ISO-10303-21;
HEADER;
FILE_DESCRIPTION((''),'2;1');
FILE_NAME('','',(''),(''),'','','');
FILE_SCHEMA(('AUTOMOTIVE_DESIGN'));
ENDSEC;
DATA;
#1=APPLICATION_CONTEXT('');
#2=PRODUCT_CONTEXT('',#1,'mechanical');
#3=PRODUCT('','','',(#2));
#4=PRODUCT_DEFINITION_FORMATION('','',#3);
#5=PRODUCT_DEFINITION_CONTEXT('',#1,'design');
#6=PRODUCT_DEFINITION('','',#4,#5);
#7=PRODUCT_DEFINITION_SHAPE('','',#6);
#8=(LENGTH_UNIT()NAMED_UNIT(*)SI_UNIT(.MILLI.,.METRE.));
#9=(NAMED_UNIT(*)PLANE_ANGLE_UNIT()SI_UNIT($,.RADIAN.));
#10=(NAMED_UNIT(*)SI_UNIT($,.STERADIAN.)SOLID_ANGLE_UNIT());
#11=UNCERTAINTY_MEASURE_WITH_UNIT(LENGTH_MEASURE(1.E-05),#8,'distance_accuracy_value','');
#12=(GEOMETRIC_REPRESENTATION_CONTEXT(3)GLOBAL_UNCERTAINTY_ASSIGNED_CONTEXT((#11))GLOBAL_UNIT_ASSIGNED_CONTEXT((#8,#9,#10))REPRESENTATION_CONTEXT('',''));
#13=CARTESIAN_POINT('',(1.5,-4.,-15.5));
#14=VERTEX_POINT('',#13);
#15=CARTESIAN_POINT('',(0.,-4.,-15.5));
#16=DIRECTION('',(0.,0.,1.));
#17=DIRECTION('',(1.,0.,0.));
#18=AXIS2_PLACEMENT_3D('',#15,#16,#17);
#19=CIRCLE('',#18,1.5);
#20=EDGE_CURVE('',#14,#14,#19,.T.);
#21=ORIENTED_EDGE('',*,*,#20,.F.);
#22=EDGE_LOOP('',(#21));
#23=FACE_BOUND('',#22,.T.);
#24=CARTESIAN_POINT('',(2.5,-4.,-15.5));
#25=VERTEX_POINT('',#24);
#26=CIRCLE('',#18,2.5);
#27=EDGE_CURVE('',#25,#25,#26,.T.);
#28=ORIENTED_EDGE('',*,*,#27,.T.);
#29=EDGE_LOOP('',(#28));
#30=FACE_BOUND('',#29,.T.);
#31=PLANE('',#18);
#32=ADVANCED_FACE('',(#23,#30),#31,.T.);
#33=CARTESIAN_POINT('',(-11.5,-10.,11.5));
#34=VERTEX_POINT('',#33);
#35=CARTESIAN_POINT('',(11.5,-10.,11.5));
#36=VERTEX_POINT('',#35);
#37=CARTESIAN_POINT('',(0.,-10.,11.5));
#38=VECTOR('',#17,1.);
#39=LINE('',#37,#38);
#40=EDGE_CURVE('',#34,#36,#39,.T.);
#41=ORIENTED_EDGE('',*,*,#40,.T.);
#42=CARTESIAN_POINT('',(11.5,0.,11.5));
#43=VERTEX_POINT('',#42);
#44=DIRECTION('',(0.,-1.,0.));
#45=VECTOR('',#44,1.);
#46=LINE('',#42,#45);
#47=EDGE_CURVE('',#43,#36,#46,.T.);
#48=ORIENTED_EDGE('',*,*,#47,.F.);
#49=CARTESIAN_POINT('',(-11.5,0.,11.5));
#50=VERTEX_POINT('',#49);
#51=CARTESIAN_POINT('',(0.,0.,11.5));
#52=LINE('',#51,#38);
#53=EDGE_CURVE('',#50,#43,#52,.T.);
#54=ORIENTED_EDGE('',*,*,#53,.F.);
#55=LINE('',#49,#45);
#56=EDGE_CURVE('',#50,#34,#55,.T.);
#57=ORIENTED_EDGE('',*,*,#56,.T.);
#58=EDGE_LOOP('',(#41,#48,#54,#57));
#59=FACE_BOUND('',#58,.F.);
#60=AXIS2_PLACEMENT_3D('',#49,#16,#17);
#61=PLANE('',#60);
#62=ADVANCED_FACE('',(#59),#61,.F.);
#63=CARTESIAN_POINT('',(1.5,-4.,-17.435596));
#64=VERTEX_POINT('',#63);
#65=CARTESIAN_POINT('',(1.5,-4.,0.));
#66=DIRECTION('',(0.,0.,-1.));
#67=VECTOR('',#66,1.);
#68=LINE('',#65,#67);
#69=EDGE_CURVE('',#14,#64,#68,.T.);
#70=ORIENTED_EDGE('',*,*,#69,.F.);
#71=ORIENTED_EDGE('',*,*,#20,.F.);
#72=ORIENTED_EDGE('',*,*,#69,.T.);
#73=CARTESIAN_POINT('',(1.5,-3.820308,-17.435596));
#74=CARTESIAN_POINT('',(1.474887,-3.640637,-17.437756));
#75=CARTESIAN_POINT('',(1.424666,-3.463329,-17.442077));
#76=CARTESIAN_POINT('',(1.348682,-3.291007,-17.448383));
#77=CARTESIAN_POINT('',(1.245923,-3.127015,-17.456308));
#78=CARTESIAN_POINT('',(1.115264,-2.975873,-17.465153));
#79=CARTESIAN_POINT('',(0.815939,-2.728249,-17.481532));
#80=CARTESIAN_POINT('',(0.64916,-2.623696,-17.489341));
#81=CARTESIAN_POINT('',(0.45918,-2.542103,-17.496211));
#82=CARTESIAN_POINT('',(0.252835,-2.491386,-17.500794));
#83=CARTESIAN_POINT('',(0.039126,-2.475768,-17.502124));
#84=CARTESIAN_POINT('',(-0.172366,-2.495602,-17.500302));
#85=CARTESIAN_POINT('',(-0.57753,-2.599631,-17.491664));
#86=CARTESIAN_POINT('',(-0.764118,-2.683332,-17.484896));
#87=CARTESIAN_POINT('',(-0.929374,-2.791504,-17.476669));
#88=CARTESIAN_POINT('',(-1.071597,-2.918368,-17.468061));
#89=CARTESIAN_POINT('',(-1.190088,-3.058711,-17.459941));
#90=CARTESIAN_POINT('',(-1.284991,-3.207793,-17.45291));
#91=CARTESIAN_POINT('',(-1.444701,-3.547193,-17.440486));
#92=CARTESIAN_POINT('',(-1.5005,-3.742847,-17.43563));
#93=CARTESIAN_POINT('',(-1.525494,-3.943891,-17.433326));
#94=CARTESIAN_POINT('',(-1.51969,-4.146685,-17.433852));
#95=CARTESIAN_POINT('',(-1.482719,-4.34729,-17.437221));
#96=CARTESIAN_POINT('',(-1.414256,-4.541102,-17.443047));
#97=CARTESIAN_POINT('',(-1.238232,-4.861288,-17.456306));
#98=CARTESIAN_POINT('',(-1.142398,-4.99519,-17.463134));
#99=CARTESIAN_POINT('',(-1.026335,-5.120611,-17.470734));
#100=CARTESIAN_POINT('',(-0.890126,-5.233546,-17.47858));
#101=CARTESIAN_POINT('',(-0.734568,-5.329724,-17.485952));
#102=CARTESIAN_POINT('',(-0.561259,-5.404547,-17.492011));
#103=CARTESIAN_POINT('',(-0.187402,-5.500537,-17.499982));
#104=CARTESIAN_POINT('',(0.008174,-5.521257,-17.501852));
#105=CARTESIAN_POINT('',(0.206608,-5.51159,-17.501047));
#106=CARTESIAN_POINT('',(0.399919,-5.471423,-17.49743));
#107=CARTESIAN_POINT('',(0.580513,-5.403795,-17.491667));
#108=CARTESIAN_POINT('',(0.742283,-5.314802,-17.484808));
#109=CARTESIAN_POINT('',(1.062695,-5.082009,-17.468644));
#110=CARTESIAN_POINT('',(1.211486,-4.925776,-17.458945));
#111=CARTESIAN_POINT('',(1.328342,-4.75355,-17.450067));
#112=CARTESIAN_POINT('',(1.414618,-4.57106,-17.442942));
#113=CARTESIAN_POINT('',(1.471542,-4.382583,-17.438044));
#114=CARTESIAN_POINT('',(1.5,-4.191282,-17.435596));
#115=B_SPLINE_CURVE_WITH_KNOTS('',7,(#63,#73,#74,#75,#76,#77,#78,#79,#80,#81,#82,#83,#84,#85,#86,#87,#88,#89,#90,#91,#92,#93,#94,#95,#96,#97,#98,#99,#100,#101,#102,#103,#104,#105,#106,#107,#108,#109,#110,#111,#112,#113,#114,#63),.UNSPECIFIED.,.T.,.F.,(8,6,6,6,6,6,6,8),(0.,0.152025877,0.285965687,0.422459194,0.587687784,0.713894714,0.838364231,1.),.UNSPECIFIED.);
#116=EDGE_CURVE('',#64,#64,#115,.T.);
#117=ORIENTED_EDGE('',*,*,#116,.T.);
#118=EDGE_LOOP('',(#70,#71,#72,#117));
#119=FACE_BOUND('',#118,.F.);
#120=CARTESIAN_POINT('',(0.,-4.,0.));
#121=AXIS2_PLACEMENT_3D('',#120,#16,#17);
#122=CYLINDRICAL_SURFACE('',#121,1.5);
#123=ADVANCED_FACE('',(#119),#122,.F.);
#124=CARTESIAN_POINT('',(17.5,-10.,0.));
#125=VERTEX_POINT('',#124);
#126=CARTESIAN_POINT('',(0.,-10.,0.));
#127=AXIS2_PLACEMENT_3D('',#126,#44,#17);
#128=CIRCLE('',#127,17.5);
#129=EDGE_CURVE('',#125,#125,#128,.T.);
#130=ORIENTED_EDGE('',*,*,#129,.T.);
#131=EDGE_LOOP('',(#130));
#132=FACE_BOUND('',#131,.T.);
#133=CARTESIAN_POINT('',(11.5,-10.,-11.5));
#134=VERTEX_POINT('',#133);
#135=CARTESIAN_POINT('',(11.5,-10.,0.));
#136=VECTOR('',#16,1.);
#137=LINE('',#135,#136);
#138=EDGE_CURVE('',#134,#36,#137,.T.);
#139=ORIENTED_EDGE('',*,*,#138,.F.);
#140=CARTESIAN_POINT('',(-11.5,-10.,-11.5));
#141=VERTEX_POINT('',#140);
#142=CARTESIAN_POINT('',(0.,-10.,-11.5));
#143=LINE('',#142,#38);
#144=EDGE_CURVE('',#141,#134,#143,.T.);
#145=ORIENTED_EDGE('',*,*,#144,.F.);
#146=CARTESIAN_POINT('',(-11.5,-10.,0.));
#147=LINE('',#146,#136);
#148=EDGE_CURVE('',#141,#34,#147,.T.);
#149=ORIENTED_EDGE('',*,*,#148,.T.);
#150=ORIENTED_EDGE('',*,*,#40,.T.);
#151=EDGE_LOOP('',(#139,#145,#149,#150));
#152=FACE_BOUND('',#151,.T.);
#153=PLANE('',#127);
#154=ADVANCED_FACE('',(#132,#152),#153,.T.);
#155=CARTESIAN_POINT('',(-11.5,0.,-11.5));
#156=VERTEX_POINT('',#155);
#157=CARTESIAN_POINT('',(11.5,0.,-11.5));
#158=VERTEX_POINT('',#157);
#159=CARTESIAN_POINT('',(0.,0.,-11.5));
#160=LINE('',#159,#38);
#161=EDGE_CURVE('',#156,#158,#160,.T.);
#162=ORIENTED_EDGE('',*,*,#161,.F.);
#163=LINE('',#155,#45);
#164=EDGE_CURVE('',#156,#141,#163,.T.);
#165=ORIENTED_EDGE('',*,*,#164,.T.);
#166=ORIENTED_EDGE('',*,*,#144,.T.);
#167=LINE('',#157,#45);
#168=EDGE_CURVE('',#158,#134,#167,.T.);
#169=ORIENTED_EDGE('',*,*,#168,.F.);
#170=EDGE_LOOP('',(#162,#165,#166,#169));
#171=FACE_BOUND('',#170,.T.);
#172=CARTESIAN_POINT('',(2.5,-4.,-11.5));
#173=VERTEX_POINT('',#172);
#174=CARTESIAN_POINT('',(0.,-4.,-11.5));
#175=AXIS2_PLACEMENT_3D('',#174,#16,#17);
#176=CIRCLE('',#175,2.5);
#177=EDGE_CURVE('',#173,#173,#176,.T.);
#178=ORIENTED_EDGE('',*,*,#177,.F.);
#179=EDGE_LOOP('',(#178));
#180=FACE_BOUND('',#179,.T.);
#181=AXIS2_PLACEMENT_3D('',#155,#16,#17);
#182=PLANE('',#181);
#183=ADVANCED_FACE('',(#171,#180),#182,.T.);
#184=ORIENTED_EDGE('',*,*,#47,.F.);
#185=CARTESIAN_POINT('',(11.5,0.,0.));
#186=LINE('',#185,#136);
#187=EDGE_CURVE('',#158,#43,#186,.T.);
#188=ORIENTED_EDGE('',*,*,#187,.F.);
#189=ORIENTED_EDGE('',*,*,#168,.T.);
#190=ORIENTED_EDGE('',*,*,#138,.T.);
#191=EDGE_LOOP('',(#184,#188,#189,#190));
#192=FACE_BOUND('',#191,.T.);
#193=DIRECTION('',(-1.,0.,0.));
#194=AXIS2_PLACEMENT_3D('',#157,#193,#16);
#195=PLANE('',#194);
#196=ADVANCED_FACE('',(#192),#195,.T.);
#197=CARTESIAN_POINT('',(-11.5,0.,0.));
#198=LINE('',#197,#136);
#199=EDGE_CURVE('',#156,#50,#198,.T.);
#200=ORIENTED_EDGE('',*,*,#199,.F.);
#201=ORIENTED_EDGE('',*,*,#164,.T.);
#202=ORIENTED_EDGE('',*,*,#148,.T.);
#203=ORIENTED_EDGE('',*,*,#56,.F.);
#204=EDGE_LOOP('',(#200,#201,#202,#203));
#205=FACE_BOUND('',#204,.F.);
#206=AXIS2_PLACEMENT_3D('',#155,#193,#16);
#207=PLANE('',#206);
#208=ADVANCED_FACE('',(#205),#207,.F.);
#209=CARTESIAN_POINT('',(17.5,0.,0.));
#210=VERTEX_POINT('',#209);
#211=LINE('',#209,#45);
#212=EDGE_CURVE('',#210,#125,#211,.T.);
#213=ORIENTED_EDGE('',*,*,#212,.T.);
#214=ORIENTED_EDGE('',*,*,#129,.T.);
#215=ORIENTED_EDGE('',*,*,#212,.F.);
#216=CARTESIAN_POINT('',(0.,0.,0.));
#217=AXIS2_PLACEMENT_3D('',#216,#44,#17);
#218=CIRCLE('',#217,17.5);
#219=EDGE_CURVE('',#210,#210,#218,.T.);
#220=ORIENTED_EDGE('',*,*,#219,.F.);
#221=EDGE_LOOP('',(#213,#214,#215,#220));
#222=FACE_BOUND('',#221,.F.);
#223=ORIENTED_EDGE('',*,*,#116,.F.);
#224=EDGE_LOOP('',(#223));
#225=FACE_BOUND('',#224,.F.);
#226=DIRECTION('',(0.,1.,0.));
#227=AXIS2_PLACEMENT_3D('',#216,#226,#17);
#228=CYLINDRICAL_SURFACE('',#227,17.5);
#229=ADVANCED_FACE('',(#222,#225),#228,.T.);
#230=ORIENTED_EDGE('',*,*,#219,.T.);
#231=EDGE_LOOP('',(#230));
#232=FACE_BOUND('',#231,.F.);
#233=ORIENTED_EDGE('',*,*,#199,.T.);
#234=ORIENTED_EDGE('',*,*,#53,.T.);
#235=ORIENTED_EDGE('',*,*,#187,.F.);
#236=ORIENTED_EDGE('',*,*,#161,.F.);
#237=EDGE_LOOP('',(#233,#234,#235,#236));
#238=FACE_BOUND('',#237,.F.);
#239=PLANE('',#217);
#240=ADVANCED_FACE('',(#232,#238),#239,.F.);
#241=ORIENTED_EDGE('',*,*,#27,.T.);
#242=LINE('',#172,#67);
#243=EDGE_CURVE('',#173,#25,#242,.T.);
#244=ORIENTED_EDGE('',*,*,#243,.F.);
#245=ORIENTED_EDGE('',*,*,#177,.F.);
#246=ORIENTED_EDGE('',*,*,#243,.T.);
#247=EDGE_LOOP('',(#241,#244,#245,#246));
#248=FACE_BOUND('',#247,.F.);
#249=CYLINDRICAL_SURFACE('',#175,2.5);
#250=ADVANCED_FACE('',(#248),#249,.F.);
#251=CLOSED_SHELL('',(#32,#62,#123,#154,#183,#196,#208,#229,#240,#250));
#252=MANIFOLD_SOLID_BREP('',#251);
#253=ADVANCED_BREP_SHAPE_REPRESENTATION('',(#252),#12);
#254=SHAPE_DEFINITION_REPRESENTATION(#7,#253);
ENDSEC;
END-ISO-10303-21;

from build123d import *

# Parameters (mm, degrees)
F0_R     = 17.5
F0_W     = 23
F0_H     = 23
F1_DEPTH = 10
F2_R     = 1.5
F3_DEPTH = 25
F4_R     = 2.5
F5_DEPTH = 4


with BuildPart() as f1:
    # F0 (on Front) → F1 (new body)
    with BuildSketch(Plane.XZ):
        Circle(F0_R)
        Rectangle(F0_W, F0_H, mode=Mode.SUBTRACT)
    extrude(amount=F1_DEPTH)

    # F2 (on Top) → F3 (cut)
    with BuildSketch(Plane.XY):
        with Locations((0, -4)):
            Circle(F2_R)
    extrude(amount=-F3_DEPTH, mode=Mode.SUBTRACT)

    # F4 (on face) → F5 (cut)
    with BuildSketch(Plane.XY.offset(-11.5)):
        with Locations((0, -4)):
            Circle(F4_R)
    extrude(amount=-F5_DEPTH, mode=Mode.SUBTRACT)


solid = f1.part
